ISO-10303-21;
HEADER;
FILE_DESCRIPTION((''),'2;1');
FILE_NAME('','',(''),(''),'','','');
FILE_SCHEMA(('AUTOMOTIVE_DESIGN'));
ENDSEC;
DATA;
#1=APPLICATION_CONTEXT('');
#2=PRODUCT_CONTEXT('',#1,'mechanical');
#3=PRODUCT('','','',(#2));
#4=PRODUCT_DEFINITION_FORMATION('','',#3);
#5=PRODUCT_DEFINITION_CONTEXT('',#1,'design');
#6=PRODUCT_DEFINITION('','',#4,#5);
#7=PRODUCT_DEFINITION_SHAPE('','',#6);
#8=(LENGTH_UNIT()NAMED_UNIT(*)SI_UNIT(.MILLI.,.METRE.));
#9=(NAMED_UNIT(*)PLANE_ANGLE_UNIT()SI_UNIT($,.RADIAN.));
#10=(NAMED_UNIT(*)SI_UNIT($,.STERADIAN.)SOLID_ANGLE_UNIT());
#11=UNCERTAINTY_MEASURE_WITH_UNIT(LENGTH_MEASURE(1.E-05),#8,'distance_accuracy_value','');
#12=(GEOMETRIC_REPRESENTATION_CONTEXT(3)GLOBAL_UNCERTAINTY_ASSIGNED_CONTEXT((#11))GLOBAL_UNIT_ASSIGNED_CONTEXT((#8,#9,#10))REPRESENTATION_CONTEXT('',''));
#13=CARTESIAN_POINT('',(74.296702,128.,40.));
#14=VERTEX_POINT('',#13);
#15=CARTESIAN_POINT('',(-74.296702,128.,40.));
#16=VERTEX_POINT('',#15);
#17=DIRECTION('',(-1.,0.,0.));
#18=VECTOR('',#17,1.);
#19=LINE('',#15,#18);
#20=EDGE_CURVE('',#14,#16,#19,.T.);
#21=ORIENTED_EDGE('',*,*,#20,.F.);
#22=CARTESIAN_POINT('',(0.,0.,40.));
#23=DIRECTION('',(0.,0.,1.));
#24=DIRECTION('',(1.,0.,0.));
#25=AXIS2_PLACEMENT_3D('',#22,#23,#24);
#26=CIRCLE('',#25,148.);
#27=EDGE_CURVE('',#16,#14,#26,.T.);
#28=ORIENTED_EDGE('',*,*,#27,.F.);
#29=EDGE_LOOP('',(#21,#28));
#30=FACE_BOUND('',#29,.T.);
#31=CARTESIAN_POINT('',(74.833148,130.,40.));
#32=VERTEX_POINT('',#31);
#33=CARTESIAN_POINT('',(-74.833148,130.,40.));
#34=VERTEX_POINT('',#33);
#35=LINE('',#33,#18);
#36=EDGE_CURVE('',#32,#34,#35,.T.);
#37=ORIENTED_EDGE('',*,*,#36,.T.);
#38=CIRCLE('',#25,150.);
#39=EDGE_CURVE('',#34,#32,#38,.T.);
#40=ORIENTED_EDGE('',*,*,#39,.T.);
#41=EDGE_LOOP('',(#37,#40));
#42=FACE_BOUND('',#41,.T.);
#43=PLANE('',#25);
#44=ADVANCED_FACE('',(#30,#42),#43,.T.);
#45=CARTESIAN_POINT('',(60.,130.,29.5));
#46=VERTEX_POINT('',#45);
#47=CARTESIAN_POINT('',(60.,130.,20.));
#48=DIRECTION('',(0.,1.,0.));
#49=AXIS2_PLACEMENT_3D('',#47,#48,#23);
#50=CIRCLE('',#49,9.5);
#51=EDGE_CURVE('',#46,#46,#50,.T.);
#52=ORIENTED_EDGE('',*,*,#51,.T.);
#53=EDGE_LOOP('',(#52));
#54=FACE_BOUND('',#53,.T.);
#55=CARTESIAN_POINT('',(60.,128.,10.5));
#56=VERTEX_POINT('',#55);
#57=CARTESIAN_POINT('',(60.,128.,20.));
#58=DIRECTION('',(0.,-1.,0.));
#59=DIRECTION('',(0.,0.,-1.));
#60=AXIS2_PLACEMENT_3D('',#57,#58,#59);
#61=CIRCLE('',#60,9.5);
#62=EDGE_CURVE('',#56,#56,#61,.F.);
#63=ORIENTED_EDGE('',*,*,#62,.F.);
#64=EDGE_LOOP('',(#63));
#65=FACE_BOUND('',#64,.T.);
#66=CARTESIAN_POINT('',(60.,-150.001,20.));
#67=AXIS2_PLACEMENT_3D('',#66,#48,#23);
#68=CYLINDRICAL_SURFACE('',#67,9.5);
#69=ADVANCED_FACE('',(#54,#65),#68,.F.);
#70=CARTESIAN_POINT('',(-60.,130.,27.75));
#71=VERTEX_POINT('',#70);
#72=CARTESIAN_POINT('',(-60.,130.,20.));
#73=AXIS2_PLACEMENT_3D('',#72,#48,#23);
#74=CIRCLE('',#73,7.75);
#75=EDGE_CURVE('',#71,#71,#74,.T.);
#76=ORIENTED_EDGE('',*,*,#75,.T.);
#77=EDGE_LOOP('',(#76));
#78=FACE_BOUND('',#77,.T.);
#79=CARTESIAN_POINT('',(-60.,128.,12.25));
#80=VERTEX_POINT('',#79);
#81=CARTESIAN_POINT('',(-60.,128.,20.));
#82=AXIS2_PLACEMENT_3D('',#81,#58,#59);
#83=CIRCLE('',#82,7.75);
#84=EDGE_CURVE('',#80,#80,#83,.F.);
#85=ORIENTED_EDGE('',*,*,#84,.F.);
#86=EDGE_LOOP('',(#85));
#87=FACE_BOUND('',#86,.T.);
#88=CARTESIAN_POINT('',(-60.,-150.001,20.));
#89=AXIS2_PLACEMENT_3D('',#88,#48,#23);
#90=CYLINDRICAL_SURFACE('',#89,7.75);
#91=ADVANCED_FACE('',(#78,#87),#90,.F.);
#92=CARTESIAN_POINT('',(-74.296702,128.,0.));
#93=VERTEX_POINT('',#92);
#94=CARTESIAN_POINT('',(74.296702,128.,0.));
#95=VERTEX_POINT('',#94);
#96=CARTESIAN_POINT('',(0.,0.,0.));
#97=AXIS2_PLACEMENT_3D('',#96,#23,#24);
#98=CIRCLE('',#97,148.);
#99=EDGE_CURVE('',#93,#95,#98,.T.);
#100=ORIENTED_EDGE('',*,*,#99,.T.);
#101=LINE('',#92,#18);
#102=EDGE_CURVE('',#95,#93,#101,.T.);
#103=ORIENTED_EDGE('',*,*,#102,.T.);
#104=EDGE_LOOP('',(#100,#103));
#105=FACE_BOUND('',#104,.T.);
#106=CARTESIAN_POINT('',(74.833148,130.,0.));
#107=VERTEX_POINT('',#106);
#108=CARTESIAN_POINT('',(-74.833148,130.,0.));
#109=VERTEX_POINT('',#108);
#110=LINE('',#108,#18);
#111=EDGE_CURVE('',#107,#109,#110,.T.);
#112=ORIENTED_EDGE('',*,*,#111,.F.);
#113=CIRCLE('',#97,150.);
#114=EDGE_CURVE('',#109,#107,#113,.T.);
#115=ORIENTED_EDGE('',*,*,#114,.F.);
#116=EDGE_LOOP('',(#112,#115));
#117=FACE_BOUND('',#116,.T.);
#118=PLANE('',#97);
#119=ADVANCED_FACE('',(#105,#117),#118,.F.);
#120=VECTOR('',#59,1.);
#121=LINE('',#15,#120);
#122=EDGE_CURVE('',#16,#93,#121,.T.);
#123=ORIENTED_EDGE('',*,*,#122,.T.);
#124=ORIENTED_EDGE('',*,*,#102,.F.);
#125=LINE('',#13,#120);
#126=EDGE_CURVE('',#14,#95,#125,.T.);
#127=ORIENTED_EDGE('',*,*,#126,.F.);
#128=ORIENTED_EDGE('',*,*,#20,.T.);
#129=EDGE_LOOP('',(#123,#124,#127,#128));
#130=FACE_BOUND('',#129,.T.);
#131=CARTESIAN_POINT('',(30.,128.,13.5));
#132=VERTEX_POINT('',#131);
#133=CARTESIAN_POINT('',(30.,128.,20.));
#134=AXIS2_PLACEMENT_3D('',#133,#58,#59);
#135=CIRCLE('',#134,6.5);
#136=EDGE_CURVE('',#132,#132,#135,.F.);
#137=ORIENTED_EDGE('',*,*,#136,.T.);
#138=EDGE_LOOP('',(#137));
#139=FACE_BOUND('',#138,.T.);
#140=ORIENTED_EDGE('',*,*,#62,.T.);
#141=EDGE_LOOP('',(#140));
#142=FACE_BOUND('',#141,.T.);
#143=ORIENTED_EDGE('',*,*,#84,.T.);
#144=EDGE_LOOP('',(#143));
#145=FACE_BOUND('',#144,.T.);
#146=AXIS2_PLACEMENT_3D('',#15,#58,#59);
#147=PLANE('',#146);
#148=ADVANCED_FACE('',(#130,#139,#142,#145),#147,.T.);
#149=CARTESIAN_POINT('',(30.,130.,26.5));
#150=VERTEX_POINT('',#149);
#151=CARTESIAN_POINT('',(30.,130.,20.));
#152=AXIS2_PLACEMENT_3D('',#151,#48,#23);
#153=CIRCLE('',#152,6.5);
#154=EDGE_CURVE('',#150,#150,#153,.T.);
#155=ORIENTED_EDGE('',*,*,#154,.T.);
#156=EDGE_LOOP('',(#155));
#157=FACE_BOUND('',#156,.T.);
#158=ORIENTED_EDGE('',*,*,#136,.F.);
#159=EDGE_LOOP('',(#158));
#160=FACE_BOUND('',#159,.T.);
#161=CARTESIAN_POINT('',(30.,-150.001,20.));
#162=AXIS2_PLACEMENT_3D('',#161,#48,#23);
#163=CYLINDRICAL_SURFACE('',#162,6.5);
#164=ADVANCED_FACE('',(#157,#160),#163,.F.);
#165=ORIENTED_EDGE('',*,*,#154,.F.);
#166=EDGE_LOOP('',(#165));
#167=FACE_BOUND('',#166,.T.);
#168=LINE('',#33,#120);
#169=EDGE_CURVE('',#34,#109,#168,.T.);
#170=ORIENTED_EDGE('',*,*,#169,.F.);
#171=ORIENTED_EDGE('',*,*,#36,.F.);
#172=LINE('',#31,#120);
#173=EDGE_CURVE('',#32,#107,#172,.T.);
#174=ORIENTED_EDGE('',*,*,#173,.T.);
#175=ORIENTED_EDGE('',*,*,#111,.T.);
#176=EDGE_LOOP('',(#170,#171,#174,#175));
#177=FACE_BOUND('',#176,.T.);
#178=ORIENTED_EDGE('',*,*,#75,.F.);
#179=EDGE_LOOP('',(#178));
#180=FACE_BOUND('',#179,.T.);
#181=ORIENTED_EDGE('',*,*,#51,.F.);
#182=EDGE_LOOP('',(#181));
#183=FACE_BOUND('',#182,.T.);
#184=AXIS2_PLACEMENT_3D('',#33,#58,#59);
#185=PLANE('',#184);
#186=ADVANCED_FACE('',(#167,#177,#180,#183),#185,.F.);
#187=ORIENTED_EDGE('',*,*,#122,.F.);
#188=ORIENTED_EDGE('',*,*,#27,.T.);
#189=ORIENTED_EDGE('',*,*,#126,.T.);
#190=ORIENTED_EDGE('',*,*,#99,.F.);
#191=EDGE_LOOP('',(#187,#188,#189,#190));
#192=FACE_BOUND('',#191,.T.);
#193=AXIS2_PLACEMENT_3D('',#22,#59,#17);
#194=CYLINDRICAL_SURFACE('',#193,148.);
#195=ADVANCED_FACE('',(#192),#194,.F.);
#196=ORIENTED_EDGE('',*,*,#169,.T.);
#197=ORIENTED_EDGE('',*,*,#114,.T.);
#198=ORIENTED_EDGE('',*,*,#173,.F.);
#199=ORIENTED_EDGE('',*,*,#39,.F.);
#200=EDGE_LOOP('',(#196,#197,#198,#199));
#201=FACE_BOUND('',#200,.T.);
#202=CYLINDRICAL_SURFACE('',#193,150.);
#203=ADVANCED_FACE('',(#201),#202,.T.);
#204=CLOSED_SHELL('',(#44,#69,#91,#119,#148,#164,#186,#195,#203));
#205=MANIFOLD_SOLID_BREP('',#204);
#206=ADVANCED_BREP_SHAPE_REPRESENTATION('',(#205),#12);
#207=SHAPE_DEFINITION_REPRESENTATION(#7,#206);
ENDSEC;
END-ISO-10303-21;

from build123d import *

# Parameters (mm, degrees)
BOSS_EXTRU_1_DEPTH      = 40
ENL_V_MAT_EXTRU_1_REACH = 322.156
ESQUISSE2_R             = 9.5
ESQUISSE2_R_2           = 7.75
ESQUISSE2_R_3           = 6.5


with BuildPart() as part:
    # Esquisse1 → Boss.-Extru.1 (new body)
    with BuildSketch(Plane.XY):
        with BuildLine():
            Line((-74.833147735, 130), (74.833147735, 130))
            ThreePointArc((74.833147735, 130), (0, -150), (-74.833147735, 130))
        make_face()
        with BuildLine():
            Line((-74.296702484, 128), (74.296702484, 128))
            ThreePointArc((74.296702484, 128), (0, -148), (-74.296702484, 128))
        make_face(mode=Mode.SUBTRACT)
    extrude(amount=BOSS_EXTRU_1_DEPTH)

    # Esquisse2 → Enlèv. mat.-Extru.1 (cut, up to next)
    with BuildSketch(Plane(origin=(0, 130, 0), x_dir=(1, 0, 0), z_dir=(0, 1, 0)), mode=Mode.PRIVATE) as enl_v_mat_extru_1_sk1:
        with Locations(Location((60, -20, 0), (0, 0, 270))):
            Circle(ESQUISSE2_R)
    enl_v_mat_extru_1_tool1 = extrude(enl_v_mat_extru_1_sk1.sketch, amount=-ENL_V_MAT_EXTRU_1_REACH, mode=Mode.PRIVATE) & part.part
    # Esquisse2 → Enlèv. mat.-Extru.1 (cut, up to next)
    with BuildSketch(Plane(origin=(0, 130, 0), x_dir=(1, 0, 0), z_dir=(0, 1, 0)), mode=Mode.PRIVATE) as enl_v_mat_extru_1_sk2:
        with Locations(Location((-60, -20, 0), (0, 0, 270))):
            Circle(ESQUISSE2_R_2)
    enl_v_mat_extru_1_tool2 = extrude(enl_v_mat_extru_1_sk2.sketch, amount=-ENL_V_MAT_EXTRU_1_REACH, mode=Mode.PRIVATE) & part.part
    # Esquisse2 → Enlèv. mat.-Extru.1 (cut, up to next)
    with BuildSketch(Plane(origin=(0, 130, 0), x_dir=(1, 0, 0), z_dir=(0, 1, 0)), mode=Mode.PRIVATE) as enl_v_mat_extru_1_sk3:
        with Locations(Location((30, -20, 0), (0, 0, 270))):
            Circle(ESQUISSE2_R_3)
    enl_v_mat_extru_1_tool3 = extrude(enl_v_mat_extru_1_sk3.sketch, amount=-ENL_V_MAT_EXTRU_1_REACH, mode=Mode.PRIVATE) & part.part
    add(enl_v_mat_extru_1_tool1.solids().sort_by_distance((60, 130, 20))[0], mode=Mode.SUBTRACT)
    add(enl_v_mat_extru_1_tool2.solids().sort_by_distance((-60, 130, 20))[0], mode=Mode.SUBTRACT)
    add(enl_v_mat_extru_1_tool3.solids().sort_by_distance((30, 130, 20))[0], mode=Mode.SUBTRACT)


solid = part.part
